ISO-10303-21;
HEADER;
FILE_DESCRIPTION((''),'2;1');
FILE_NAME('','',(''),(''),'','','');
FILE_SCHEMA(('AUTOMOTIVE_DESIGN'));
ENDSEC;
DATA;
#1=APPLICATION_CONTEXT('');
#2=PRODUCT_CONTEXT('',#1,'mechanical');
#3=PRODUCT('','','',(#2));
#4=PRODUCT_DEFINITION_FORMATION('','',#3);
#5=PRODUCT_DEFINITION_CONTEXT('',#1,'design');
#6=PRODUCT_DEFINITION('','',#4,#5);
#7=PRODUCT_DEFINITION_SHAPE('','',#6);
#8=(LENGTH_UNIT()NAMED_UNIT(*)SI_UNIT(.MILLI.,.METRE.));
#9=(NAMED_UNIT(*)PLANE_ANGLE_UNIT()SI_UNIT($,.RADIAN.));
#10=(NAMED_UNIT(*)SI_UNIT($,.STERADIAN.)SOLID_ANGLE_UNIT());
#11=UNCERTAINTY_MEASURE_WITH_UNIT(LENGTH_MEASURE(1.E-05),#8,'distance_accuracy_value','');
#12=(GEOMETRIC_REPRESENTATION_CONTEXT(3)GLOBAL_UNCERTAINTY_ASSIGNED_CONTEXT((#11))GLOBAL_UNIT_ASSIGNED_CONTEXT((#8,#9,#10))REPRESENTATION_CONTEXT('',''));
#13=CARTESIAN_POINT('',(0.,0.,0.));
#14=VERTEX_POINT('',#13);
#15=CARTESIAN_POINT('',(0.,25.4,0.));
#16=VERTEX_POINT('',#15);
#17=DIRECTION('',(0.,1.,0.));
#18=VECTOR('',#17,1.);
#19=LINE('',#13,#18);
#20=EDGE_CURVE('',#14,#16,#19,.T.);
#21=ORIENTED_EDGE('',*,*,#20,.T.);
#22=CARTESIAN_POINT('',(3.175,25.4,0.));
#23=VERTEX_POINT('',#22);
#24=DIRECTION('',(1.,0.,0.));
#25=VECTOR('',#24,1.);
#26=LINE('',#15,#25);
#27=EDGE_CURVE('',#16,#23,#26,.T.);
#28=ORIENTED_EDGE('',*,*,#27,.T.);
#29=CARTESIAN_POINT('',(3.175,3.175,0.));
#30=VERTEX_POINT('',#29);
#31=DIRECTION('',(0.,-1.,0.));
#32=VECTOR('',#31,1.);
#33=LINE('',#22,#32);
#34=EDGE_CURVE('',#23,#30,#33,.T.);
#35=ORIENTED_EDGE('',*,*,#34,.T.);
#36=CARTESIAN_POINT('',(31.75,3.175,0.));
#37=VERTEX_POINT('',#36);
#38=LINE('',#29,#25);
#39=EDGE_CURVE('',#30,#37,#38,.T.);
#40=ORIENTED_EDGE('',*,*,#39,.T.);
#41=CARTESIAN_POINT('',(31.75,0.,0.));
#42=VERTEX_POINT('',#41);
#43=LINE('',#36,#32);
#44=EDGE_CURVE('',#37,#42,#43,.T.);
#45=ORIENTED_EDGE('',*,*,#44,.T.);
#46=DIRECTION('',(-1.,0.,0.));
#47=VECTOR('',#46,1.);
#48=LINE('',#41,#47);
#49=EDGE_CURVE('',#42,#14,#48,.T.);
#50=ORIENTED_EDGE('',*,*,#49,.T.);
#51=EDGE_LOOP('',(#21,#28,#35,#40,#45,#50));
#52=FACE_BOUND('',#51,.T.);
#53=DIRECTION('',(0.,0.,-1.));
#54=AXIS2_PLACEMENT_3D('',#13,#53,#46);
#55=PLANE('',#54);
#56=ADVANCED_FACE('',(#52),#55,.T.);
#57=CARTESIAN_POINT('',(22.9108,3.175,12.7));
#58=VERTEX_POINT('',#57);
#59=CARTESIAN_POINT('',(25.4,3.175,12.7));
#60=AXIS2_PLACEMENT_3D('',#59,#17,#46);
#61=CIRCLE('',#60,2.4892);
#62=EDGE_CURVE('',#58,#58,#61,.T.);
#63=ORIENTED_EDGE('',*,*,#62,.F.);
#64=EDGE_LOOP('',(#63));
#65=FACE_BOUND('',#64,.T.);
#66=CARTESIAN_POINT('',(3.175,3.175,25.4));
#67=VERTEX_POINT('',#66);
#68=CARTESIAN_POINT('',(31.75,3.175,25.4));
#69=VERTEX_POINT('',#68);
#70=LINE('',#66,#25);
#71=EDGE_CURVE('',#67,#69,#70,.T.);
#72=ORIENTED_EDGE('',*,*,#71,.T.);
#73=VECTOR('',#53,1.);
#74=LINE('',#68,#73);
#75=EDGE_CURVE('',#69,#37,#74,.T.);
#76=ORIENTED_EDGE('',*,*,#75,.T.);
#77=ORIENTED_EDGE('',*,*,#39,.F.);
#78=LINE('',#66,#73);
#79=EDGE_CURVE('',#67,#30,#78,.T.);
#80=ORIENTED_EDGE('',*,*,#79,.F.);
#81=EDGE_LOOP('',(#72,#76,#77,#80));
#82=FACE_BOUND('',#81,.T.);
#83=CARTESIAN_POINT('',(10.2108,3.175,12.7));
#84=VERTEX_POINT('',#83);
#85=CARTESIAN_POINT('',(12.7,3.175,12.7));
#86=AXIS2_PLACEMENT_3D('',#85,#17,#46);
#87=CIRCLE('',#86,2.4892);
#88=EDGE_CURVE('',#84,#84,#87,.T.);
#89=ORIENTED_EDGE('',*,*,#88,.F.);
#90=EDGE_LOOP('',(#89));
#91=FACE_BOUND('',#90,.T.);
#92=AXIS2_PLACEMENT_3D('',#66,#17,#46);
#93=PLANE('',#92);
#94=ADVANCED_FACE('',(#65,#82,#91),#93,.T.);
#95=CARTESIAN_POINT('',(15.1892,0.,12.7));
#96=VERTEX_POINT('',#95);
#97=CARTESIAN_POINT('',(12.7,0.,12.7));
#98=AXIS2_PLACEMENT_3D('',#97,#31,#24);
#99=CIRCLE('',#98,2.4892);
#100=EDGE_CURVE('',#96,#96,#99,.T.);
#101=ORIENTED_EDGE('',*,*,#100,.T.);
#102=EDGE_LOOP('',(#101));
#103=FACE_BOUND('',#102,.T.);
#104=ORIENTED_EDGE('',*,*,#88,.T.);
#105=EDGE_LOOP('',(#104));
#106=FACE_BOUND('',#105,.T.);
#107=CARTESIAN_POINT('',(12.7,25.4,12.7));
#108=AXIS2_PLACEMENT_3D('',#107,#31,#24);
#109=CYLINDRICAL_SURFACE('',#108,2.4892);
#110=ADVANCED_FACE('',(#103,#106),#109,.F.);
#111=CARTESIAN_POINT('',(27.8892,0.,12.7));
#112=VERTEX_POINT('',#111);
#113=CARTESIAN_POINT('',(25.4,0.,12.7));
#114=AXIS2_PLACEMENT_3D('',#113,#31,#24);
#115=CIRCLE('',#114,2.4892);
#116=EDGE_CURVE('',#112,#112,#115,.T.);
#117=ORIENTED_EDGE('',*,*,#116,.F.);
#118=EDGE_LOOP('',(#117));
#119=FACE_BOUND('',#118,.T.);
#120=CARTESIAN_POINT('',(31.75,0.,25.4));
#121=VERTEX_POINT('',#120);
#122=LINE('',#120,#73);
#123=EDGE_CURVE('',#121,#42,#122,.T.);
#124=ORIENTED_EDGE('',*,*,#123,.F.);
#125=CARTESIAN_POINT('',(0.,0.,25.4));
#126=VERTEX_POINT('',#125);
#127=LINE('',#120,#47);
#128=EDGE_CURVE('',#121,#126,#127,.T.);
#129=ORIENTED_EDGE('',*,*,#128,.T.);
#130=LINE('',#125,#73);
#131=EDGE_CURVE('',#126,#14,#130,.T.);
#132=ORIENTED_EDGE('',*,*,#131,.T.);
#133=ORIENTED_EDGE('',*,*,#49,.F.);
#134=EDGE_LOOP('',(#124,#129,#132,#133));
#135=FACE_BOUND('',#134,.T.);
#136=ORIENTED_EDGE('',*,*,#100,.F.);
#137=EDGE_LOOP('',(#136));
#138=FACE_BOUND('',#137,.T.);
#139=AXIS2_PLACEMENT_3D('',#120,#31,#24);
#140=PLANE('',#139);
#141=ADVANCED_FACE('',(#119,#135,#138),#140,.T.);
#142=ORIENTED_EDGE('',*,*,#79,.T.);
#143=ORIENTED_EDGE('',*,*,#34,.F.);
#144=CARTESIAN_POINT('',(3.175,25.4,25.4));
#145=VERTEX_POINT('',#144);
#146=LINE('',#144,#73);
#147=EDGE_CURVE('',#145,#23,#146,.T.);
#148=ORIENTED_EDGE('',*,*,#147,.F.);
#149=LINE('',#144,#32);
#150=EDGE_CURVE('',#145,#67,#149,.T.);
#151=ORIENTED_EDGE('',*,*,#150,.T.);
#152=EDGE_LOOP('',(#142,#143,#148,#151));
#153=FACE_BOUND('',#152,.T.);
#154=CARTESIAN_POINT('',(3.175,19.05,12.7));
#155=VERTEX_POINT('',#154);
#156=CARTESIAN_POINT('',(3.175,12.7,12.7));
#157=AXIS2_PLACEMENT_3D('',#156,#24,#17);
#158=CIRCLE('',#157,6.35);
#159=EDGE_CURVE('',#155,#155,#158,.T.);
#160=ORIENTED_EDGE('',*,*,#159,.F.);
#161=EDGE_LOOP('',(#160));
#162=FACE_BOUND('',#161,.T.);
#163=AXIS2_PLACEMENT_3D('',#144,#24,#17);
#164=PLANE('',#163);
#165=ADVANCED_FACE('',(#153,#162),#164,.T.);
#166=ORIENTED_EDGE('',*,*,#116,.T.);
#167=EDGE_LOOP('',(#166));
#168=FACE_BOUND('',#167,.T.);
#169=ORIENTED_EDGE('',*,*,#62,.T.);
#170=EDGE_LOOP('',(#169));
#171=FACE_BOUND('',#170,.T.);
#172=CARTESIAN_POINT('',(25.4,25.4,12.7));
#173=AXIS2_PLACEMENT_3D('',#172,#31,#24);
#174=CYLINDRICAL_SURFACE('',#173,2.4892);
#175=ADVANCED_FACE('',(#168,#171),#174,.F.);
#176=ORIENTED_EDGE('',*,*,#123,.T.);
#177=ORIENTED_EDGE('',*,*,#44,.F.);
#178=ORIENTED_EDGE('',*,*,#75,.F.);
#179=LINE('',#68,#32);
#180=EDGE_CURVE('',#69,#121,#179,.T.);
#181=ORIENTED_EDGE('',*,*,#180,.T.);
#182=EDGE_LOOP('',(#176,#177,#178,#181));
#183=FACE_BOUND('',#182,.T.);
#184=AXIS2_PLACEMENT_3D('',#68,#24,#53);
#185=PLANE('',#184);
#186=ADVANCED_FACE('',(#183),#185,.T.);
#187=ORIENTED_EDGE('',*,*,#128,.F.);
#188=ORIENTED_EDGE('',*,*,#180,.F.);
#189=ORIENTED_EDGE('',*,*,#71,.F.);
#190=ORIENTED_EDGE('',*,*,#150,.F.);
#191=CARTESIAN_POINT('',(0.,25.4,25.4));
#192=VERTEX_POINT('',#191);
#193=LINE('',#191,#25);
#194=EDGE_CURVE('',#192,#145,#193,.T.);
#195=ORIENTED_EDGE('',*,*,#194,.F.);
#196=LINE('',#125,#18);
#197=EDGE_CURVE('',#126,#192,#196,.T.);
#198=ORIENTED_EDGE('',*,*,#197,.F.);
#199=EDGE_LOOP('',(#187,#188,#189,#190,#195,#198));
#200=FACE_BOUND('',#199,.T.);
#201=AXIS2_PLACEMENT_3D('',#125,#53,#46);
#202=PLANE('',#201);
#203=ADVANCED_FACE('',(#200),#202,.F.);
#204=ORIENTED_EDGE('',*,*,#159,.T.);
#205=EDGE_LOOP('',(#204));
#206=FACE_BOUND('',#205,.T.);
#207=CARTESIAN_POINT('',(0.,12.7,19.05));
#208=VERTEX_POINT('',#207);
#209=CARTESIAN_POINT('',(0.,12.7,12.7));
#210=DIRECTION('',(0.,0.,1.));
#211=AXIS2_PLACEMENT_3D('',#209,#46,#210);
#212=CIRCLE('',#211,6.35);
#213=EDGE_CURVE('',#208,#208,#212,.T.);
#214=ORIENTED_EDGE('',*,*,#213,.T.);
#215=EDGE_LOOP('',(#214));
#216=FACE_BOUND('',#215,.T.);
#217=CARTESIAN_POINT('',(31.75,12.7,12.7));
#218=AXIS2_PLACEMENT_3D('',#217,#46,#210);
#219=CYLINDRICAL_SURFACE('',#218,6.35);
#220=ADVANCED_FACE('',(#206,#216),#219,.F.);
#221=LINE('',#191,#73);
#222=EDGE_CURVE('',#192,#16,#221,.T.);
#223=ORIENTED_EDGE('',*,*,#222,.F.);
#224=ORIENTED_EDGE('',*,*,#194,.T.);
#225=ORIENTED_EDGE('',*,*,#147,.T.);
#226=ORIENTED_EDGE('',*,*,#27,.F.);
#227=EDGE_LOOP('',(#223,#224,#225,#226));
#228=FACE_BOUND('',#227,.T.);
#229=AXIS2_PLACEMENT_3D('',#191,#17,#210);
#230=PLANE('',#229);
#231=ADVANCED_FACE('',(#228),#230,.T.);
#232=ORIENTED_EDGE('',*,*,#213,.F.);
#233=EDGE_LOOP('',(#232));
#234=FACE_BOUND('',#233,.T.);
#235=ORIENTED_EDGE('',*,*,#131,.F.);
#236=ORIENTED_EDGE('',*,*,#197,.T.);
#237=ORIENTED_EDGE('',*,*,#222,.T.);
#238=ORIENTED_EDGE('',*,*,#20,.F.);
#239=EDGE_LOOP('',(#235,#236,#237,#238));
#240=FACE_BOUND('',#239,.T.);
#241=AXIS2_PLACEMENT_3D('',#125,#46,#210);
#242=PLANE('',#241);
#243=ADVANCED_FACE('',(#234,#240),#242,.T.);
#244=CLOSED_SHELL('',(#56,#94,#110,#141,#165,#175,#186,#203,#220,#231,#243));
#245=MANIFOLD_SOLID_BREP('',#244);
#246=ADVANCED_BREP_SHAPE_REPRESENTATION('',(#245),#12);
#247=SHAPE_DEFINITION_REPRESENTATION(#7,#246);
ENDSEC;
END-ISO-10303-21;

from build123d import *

# Parameters (mm, degrees)
BOSS_EXTRUDE1_DEPTH = 25.4
SKETCH3_R           = 6.35
CUT_EXTRUDE1_DEPTH  = 48.941448664
SKETCH2_R           = 2.4892
CUT_EXTRUDE2_DEPTH  = 48.941448664


with BuildPart() as part:
    # Sketch1 → Boss-Extrude1 (new body)
    with BuildSketch(Plane.XY):
        Polygon((0, 0), (0, 25.4), (3.175, 25.4), (3.175, 3.175), (31.75, 3.175), (31.75, 0), align=None)
    extrude(amount=BOSS_EXTRUDE1_DEPTH)

    # Sketch3 → Cut-Extrude1 (cut, through all)
    with BuildSketch(Plane.ZY):
        with Locations((12.7, 12.7)):
            Circle(SKETCH3_R)
    extrude(amount=-CUT_EXTRUDE1_DEPTH, mode=Mode.SUBTRACT)

    # Sketch2 → Cut-Extrude2 (cut, through all)
    with BuildSketch(Plane.XZ):
        with Locations((12.7, 12.7)):
            Circle(SKETCH2_R)
        with Locations((25.4, 12.7)):
            Circle(SKETCH2_R)
    extrude(amount=-CUT_EXTRUDE2_DEPTH, mode=Mode.SUBTRACT)


solid = part.part
